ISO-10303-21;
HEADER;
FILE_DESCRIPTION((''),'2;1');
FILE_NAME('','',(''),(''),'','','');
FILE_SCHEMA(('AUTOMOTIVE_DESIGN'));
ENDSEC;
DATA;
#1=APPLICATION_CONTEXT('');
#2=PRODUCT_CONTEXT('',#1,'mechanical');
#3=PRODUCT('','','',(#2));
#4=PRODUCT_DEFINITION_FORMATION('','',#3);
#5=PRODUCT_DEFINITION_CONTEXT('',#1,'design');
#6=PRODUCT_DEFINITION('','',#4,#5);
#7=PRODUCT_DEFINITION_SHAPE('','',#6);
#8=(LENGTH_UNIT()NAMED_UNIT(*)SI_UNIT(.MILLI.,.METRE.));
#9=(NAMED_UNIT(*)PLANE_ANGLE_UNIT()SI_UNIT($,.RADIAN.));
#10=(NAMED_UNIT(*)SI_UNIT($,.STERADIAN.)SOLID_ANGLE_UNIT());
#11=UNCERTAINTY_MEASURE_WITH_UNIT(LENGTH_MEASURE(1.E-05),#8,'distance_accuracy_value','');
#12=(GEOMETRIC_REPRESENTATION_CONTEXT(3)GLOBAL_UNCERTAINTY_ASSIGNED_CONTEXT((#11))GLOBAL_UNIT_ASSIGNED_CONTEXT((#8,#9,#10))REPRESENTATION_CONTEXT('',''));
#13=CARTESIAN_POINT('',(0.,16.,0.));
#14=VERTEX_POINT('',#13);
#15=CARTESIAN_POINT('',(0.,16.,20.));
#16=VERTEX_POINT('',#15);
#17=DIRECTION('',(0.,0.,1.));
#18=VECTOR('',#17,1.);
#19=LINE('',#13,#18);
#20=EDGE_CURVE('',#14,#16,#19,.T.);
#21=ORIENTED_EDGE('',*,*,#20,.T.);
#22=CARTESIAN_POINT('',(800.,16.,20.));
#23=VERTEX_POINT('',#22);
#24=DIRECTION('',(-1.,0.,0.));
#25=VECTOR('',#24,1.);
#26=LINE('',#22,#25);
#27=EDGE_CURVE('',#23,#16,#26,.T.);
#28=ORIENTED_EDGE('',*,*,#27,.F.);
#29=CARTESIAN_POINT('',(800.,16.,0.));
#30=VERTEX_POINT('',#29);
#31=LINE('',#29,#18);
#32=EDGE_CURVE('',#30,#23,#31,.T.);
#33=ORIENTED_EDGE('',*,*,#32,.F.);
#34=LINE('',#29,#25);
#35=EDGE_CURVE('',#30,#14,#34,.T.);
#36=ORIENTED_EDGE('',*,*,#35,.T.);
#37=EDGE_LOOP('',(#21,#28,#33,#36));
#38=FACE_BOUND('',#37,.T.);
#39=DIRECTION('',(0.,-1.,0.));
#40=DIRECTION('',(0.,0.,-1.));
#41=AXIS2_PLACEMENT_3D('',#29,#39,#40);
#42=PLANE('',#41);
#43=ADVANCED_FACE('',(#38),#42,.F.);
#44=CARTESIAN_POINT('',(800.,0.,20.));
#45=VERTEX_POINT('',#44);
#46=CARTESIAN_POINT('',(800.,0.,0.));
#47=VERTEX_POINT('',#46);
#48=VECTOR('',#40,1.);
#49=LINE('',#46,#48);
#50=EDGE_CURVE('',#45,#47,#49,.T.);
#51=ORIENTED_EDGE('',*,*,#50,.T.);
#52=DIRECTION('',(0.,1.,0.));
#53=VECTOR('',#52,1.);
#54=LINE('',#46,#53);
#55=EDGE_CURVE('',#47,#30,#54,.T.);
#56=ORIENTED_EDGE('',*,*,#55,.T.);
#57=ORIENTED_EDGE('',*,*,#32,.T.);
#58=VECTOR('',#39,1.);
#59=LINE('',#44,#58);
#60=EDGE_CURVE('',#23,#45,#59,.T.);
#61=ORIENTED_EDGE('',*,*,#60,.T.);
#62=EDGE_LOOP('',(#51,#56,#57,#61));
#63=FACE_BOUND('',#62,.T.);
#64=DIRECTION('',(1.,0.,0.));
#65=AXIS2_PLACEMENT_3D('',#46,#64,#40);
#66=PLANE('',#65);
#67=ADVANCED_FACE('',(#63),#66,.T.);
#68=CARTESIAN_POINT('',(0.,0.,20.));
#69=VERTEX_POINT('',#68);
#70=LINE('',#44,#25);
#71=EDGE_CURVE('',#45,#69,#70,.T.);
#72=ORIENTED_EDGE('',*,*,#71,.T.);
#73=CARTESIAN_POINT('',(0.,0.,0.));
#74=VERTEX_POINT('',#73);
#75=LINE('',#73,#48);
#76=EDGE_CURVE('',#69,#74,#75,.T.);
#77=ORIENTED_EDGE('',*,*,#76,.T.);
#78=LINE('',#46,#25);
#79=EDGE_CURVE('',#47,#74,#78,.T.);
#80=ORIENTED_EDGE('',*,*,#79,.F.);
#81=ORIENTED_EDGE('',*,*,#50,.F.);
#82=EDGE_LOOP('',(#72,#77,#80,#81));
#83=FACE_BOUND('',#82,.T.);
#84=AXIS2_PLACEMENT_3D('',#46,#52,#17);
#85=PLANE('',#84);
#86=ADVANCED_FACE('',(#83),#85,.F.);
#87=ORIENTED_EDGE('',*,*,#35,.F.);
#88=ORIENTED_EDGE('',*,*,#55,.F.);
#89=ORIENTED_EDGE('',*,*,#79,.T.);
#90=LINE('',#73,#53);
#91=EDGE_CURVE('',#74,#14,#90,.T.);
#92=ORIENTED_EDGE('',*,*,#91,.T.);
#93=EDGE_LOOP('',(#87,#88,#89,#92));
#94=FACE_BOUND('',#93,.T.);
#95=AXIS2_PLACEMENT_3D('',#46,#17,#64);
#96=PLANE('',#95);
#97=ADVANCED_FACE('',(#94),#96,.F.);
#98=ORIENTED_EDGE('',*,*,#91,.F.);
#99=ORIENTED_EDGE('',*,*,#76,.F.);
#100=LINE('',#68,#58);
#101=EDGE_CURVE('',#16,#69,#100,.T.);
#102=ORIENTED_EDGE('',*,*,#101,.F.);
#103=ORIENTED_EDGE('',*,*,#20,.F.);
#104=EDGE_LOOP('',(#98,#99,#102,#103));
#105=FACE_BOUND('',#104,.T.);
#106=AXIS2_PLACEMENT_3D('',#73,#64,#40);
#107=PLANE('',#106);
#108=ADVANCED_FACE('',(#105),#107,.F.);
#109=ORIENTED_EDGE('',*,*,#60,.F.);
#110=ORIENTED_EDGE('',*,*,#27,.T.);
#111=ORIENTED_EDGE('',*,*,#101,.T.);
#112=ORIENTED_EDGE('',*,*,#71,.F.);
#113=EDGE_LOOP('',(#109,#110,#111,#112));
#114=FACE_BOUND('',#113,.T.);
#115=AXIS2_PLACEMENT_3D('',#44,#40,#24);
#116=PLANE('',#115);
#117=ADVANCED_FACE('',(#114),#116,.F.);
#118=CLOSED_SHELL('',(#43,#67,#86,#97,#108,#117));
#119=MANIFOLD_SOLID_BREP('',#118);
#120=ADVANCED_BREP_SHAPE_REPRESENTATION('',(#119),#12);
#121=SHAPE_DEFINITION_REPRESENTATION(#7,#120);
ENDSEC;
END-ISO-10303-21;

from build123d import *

# Parameters (mm, degrees)
SKETCH_1_W      = 20
SKETCH_1_H      = 16
EXTRUDE_1_DEPTH = 800


with BuildPart() as part:
    # 草图1 → 凸台-拉伸1 (new body)
    with BuildSketch(Plane(origin=(0, 0, 0), x_dir=(0, 0, -1), z_dir=(1, 0, 0))):
        with Locations((-10, 8)):
            Rectangle(SKETCH_1_W, SKETCH_1_H)
    extrude(amount=EXTRUDE_1_DEPTH)


solid = part.part
